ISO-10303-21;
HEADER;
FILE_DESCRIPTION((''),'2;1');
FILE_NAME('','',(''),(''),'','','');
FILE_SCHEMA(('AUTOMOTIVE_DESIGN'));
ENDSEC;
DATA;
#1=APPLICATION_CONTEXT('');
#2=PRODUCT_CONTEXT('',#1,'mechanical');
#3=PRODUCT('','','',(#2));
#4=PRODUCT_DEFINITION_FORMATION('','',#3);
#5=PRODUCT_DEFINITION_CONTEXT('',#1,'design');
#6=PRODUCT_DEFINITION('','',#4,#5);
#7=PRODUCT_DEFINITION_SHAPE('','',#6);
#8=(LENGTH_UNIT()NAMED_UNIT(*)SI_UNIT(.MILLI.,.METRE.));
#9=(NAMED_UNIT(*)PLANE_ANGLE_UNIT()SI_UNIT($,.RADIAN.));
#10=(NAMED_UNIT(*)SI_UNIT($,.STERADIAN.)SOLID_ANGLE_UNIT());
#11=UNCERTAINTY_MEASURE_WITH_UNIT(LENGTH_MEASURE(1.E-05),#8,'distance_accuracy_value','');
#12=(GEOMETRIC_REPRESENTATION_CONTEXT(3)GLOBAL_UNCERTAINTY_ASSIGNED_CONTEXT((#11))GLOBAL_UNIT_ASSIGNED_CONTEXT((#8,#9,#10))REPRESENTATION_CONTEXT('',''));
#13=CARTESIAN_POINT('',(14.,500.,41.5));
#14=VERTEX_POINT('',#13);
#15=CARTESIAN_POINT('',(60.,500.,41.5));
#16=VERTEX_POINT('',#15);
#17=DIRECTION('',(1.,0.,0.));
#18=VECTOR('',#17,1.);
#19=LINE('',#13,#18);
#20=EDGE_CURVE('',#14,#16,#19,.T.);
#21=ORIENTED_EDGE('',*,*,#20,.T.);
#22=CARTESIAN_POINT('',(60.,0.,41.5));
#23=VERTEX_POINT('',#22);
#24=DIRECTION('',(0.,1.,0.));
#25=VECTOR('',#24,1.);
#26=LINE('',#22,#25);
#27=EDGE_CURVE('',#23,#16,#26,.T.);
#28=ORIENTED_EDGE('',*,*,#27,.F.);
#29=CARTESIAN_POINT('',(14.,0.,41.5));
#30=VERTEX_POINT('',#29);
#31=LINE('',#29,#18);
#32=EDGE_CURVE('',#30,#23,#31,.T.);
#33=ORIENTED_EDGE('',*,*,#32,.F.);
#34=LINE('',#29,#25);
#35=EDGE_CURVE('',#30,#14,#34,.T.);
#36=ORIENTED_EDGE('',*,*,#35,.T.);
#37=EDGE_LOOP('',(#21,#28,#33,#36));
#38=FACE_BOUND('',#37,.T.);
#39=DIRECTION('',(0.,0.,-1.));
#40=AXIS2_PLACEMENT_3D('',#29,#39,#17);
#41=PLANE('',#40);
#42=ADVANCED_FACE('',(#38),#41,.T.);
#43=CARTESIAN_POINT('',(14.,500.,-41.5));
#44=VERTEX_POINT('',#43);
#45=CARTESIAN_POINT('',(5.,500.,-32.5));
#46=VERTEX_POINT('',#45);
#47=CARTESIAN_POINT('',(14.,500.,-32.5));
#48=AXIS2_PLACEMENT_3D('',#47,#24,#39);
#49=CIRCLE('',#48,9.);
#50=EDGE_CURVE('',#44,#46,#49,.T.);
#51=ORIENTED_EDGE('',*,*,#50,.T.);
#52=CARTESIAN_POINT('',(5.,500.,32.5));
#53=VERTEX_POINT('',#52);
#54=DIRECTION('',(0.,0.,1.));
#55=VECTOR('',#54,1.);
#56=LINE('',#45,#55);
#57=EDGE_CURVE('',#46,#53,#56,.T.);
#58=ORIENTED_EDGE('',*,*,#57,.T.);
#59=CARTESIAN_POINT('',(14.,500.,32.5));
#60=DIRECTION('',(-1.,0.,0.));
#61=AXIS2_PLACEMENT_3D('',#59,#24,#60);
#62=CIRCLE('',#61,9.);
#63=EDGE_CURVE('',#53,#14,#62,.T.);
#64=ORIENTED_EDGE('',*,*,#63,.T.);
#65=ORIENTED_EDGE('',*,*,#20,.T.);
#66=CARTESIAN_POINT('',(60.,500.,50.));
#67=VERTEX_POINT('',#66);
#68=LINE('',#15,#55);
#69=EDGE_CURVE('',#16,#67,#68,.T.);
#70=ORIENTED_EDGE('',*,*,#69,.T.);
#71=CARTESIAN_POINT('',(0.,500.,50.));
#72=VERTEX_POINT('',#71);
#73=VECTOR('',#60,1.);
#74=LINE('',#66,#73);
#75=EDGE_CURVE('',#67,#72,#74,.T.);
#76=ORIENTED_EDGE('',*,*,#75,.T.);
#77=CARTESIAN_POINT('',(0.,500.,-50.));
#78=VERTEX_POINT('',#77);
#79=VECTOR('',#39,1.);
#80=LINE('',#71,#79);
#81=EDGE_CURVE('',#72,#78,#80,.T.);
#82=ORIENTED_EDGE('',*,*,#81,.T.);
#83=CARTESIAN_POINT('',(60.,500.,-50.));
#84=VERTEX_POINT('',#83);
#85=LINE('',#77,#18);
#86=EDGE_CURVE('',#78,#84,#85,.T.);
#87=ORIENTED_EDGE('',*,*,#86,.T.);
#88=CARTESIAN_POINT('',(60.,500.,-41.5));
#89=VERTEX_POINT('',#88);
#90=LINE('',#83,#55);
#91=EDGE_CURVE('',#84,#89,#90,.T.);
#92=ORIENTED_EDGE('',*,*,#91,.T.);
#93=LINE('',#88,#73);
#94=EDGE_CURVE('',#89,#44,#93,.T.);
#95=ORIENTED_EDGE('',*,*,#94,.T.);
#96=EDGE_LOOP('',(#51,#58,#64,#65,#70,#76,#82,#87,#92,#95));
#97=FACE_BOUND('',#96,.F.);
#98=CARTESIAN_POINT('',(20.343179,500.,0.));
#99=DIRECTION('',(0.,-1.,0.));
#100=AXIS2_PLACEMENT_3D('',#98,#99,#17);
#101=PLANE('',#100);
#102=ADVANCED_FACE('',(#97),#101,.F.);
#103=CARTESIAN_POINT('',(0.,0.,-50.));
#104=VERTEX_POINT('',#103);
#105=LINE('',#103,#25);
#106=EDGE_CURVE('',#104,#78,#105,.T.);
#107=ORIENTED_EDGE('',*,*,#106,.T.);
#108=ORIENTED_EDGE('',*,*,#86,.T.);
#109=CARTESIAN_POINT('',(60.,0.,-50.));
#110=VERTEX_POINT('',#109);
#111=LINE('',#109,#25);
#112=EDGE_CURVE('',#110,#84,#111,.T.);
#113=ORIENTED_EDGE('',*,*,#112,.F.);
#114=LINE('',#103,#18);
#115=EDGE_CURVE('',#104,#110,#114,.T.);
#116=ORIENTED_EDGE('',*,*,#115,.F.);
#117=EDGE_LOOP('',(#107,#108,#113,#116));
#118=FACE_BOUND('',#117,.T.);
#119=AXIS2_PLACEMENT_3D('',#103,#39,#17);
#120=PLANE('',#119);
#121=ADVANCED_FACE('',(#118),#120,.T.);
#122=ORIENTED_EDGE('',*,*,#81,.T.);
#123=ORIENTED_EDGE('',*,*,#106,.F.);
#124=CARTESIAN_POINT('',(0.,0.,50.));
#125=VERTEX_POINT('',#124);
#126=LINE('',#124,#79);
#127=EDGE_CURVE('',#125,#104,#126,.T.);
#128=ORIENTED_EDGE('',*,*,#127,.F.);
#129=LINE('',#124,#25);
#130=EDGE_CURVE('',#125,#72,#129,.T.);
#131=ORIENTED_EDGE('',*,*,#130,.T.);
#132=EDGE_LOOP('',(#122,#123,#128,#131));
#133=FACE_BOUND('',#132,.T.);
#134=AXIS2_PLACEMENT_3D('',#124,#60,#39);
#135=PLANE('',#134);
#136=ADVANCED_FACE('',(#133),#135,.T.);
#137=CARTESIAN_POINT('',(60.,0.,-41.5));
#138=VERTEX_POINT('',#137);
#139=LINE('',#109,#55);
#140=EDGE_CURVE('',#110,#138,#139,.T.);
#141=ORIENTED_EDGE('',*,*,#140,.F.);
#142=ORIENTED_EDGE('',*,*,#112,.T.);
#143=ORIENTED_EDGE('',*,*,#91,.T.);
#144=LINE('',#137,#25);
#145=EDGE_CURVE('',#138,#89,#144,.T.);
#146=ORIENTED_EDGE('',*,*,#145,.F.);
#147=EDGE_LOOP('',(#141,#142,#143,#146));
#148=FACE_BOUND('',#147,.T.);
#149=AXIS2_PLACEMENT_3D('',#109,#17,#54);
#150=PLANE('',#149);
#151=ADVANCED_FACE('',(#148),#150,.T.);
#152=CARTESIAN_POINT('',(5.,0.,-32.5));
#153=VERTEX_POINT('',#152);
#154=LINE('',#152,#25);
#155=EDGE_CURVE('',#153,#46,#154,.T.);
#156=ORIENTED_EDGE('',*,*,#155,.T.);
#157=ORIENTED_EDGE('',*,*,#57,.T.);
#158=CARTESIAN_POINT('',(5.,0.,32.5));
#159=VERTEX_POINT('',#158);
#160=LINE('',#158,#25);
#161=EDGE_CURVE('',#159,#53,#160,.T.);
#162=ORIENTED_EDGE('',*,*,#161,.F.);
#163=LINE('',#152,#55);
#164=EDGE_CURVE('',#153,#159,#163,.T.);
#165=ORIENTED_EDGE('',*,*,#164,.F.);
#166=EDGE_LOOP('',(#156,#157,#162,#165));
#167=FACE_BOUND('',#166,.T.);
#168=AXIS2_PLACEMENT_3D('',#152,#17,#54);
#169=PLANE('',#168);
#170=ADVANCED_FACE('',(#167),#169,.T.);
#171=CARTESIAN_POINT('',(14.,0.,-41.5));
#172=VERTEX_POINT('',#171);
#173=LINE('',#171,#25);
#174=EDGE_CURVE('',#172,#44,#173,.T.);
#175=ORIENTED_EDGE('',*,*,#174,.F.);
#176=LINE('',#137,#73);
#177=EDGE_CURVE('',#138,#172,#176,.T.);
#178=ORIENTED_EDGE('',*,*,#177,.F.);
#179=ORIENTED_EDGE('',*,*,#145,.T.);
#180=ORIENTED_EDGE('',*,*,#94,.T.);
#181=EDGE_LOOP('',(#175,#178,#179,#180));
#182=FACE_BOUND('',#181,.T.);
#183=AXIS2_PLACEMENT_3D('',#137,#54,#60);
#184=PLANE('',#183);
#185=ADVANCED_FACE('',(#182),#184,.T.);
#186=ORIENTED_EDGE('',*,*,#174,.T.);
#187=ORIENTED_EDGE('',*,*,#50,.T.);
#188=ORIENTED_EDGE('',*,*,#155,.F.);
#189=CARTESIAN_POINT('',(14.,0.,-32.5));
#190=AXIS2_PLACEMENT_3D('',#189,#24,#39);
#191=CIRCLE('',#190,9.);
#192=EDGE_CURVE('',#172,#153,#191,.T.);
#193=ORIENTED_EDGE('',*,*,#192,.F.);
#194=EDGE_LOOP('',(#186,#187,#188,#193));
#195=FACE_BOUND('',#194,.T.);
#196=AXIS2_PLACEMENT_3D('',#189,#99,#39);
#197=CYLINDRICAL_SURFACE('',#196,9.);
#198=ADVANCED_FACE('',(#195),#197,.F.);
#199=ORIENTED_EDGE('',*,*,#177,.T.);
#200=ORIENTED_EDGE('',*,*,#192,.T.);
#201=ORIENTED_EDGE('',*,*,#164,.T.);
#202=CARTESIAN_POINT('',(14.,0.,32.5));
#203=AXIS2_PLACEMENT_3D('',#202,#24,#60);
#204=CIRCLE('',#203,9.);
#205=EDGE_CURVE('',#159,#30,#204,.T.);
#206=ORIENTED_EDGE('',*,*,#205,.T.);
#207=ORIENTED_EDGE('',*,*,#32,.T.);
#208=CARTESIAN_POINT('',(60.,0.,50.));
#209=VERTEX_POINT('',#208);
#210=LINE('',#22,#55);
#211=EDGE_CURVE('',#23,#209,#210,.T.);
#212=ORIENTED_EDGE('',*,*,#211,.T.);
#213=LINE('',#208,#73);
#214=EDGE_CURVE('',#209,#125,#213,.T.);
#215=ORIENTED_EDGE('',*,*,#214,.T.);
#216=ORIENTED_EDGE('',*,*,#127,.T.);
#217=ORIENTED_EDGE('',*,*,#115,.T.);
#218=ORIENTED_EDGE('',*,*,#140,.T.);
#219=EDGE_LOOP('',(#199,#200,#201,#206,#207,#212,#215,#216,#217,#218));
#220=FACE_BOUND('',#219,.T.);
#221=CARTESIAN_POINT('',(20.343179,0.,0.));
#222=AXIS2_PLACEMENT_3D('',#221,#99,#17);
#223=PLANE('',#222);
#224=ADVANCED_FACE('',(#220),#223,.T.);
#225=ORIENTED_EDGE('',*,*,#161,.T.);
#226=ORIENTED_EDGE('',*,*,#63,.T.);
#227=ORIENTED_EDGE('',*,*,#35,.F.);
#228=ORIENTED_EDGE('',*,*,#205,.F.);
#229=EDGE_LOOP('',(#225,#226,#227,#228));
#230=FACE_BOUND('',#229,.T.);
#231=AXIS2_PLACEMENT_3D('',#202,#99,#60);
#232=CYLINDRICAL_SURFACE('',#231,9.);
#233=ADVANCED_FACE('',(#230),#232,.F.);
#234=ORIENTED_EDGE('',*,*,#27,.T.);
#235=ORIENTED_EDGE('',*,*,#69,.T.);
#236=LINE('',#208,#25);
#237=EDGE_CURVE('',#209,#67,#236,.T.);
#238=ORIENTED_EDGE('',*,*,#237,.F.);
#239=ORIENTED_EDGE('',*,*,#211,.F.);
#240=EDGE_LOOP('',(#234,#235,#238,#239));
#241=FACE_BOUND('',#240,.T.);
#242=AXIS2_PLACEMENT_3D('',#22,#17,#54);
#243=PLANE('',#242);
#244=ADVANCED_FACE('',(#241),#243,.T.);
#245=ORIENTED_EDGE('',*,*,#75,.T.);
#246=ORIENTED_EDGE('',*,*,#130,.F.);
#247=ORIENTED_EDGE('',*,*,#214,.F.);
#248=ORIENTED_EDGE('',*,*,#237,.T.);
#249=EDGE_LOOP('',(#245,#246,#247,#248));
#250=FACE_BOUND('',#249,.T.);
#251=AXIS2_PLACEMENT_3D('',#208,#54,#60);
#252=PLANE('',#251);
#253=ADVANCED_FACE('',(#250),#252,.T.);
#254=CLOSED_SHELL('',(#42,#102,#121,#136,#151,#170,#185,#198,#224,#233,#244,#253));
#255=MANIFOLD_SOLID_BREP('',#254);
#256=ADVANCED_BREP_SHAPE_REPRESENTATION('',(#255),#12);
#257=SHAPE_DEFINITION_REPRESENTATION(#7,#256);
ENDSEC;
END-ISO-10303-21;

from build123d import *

# Parameters (mm, degrees)
F2_DEPTH = 500


with BuildPart() as f2:
    # F0 (on Front) → F2 (new body)
    with BuildSketch(Plane.XZ):
        with BuildLine():
            Line((0, 50), (0, 0))
            Line((0, 0), (0, -50))
            Line((0, -50), (60, -50))
            Line((60, -50), (60, -41.5))
            Line((60, -41.5), (14, -41.5))
            ThreePointArc((14, -41.5), (7.6360389693, -38.8639610307), (5, -32.5))
            Line((5, -32.5), (5, 0))
            Line((5, 0), (5, 32.5))
            ThreePointArc((5, 32.5), (7.6360389693, 38.8639610307), (14, 41.5))
            Line((14, 41.5), (60, 41.5))
            Line((60, 41.5), (60, 50))
            Line((60, 50), (0, 50))
        make_face()
    extrude(amount=-F2_DEPTH)


solid = f2.part
